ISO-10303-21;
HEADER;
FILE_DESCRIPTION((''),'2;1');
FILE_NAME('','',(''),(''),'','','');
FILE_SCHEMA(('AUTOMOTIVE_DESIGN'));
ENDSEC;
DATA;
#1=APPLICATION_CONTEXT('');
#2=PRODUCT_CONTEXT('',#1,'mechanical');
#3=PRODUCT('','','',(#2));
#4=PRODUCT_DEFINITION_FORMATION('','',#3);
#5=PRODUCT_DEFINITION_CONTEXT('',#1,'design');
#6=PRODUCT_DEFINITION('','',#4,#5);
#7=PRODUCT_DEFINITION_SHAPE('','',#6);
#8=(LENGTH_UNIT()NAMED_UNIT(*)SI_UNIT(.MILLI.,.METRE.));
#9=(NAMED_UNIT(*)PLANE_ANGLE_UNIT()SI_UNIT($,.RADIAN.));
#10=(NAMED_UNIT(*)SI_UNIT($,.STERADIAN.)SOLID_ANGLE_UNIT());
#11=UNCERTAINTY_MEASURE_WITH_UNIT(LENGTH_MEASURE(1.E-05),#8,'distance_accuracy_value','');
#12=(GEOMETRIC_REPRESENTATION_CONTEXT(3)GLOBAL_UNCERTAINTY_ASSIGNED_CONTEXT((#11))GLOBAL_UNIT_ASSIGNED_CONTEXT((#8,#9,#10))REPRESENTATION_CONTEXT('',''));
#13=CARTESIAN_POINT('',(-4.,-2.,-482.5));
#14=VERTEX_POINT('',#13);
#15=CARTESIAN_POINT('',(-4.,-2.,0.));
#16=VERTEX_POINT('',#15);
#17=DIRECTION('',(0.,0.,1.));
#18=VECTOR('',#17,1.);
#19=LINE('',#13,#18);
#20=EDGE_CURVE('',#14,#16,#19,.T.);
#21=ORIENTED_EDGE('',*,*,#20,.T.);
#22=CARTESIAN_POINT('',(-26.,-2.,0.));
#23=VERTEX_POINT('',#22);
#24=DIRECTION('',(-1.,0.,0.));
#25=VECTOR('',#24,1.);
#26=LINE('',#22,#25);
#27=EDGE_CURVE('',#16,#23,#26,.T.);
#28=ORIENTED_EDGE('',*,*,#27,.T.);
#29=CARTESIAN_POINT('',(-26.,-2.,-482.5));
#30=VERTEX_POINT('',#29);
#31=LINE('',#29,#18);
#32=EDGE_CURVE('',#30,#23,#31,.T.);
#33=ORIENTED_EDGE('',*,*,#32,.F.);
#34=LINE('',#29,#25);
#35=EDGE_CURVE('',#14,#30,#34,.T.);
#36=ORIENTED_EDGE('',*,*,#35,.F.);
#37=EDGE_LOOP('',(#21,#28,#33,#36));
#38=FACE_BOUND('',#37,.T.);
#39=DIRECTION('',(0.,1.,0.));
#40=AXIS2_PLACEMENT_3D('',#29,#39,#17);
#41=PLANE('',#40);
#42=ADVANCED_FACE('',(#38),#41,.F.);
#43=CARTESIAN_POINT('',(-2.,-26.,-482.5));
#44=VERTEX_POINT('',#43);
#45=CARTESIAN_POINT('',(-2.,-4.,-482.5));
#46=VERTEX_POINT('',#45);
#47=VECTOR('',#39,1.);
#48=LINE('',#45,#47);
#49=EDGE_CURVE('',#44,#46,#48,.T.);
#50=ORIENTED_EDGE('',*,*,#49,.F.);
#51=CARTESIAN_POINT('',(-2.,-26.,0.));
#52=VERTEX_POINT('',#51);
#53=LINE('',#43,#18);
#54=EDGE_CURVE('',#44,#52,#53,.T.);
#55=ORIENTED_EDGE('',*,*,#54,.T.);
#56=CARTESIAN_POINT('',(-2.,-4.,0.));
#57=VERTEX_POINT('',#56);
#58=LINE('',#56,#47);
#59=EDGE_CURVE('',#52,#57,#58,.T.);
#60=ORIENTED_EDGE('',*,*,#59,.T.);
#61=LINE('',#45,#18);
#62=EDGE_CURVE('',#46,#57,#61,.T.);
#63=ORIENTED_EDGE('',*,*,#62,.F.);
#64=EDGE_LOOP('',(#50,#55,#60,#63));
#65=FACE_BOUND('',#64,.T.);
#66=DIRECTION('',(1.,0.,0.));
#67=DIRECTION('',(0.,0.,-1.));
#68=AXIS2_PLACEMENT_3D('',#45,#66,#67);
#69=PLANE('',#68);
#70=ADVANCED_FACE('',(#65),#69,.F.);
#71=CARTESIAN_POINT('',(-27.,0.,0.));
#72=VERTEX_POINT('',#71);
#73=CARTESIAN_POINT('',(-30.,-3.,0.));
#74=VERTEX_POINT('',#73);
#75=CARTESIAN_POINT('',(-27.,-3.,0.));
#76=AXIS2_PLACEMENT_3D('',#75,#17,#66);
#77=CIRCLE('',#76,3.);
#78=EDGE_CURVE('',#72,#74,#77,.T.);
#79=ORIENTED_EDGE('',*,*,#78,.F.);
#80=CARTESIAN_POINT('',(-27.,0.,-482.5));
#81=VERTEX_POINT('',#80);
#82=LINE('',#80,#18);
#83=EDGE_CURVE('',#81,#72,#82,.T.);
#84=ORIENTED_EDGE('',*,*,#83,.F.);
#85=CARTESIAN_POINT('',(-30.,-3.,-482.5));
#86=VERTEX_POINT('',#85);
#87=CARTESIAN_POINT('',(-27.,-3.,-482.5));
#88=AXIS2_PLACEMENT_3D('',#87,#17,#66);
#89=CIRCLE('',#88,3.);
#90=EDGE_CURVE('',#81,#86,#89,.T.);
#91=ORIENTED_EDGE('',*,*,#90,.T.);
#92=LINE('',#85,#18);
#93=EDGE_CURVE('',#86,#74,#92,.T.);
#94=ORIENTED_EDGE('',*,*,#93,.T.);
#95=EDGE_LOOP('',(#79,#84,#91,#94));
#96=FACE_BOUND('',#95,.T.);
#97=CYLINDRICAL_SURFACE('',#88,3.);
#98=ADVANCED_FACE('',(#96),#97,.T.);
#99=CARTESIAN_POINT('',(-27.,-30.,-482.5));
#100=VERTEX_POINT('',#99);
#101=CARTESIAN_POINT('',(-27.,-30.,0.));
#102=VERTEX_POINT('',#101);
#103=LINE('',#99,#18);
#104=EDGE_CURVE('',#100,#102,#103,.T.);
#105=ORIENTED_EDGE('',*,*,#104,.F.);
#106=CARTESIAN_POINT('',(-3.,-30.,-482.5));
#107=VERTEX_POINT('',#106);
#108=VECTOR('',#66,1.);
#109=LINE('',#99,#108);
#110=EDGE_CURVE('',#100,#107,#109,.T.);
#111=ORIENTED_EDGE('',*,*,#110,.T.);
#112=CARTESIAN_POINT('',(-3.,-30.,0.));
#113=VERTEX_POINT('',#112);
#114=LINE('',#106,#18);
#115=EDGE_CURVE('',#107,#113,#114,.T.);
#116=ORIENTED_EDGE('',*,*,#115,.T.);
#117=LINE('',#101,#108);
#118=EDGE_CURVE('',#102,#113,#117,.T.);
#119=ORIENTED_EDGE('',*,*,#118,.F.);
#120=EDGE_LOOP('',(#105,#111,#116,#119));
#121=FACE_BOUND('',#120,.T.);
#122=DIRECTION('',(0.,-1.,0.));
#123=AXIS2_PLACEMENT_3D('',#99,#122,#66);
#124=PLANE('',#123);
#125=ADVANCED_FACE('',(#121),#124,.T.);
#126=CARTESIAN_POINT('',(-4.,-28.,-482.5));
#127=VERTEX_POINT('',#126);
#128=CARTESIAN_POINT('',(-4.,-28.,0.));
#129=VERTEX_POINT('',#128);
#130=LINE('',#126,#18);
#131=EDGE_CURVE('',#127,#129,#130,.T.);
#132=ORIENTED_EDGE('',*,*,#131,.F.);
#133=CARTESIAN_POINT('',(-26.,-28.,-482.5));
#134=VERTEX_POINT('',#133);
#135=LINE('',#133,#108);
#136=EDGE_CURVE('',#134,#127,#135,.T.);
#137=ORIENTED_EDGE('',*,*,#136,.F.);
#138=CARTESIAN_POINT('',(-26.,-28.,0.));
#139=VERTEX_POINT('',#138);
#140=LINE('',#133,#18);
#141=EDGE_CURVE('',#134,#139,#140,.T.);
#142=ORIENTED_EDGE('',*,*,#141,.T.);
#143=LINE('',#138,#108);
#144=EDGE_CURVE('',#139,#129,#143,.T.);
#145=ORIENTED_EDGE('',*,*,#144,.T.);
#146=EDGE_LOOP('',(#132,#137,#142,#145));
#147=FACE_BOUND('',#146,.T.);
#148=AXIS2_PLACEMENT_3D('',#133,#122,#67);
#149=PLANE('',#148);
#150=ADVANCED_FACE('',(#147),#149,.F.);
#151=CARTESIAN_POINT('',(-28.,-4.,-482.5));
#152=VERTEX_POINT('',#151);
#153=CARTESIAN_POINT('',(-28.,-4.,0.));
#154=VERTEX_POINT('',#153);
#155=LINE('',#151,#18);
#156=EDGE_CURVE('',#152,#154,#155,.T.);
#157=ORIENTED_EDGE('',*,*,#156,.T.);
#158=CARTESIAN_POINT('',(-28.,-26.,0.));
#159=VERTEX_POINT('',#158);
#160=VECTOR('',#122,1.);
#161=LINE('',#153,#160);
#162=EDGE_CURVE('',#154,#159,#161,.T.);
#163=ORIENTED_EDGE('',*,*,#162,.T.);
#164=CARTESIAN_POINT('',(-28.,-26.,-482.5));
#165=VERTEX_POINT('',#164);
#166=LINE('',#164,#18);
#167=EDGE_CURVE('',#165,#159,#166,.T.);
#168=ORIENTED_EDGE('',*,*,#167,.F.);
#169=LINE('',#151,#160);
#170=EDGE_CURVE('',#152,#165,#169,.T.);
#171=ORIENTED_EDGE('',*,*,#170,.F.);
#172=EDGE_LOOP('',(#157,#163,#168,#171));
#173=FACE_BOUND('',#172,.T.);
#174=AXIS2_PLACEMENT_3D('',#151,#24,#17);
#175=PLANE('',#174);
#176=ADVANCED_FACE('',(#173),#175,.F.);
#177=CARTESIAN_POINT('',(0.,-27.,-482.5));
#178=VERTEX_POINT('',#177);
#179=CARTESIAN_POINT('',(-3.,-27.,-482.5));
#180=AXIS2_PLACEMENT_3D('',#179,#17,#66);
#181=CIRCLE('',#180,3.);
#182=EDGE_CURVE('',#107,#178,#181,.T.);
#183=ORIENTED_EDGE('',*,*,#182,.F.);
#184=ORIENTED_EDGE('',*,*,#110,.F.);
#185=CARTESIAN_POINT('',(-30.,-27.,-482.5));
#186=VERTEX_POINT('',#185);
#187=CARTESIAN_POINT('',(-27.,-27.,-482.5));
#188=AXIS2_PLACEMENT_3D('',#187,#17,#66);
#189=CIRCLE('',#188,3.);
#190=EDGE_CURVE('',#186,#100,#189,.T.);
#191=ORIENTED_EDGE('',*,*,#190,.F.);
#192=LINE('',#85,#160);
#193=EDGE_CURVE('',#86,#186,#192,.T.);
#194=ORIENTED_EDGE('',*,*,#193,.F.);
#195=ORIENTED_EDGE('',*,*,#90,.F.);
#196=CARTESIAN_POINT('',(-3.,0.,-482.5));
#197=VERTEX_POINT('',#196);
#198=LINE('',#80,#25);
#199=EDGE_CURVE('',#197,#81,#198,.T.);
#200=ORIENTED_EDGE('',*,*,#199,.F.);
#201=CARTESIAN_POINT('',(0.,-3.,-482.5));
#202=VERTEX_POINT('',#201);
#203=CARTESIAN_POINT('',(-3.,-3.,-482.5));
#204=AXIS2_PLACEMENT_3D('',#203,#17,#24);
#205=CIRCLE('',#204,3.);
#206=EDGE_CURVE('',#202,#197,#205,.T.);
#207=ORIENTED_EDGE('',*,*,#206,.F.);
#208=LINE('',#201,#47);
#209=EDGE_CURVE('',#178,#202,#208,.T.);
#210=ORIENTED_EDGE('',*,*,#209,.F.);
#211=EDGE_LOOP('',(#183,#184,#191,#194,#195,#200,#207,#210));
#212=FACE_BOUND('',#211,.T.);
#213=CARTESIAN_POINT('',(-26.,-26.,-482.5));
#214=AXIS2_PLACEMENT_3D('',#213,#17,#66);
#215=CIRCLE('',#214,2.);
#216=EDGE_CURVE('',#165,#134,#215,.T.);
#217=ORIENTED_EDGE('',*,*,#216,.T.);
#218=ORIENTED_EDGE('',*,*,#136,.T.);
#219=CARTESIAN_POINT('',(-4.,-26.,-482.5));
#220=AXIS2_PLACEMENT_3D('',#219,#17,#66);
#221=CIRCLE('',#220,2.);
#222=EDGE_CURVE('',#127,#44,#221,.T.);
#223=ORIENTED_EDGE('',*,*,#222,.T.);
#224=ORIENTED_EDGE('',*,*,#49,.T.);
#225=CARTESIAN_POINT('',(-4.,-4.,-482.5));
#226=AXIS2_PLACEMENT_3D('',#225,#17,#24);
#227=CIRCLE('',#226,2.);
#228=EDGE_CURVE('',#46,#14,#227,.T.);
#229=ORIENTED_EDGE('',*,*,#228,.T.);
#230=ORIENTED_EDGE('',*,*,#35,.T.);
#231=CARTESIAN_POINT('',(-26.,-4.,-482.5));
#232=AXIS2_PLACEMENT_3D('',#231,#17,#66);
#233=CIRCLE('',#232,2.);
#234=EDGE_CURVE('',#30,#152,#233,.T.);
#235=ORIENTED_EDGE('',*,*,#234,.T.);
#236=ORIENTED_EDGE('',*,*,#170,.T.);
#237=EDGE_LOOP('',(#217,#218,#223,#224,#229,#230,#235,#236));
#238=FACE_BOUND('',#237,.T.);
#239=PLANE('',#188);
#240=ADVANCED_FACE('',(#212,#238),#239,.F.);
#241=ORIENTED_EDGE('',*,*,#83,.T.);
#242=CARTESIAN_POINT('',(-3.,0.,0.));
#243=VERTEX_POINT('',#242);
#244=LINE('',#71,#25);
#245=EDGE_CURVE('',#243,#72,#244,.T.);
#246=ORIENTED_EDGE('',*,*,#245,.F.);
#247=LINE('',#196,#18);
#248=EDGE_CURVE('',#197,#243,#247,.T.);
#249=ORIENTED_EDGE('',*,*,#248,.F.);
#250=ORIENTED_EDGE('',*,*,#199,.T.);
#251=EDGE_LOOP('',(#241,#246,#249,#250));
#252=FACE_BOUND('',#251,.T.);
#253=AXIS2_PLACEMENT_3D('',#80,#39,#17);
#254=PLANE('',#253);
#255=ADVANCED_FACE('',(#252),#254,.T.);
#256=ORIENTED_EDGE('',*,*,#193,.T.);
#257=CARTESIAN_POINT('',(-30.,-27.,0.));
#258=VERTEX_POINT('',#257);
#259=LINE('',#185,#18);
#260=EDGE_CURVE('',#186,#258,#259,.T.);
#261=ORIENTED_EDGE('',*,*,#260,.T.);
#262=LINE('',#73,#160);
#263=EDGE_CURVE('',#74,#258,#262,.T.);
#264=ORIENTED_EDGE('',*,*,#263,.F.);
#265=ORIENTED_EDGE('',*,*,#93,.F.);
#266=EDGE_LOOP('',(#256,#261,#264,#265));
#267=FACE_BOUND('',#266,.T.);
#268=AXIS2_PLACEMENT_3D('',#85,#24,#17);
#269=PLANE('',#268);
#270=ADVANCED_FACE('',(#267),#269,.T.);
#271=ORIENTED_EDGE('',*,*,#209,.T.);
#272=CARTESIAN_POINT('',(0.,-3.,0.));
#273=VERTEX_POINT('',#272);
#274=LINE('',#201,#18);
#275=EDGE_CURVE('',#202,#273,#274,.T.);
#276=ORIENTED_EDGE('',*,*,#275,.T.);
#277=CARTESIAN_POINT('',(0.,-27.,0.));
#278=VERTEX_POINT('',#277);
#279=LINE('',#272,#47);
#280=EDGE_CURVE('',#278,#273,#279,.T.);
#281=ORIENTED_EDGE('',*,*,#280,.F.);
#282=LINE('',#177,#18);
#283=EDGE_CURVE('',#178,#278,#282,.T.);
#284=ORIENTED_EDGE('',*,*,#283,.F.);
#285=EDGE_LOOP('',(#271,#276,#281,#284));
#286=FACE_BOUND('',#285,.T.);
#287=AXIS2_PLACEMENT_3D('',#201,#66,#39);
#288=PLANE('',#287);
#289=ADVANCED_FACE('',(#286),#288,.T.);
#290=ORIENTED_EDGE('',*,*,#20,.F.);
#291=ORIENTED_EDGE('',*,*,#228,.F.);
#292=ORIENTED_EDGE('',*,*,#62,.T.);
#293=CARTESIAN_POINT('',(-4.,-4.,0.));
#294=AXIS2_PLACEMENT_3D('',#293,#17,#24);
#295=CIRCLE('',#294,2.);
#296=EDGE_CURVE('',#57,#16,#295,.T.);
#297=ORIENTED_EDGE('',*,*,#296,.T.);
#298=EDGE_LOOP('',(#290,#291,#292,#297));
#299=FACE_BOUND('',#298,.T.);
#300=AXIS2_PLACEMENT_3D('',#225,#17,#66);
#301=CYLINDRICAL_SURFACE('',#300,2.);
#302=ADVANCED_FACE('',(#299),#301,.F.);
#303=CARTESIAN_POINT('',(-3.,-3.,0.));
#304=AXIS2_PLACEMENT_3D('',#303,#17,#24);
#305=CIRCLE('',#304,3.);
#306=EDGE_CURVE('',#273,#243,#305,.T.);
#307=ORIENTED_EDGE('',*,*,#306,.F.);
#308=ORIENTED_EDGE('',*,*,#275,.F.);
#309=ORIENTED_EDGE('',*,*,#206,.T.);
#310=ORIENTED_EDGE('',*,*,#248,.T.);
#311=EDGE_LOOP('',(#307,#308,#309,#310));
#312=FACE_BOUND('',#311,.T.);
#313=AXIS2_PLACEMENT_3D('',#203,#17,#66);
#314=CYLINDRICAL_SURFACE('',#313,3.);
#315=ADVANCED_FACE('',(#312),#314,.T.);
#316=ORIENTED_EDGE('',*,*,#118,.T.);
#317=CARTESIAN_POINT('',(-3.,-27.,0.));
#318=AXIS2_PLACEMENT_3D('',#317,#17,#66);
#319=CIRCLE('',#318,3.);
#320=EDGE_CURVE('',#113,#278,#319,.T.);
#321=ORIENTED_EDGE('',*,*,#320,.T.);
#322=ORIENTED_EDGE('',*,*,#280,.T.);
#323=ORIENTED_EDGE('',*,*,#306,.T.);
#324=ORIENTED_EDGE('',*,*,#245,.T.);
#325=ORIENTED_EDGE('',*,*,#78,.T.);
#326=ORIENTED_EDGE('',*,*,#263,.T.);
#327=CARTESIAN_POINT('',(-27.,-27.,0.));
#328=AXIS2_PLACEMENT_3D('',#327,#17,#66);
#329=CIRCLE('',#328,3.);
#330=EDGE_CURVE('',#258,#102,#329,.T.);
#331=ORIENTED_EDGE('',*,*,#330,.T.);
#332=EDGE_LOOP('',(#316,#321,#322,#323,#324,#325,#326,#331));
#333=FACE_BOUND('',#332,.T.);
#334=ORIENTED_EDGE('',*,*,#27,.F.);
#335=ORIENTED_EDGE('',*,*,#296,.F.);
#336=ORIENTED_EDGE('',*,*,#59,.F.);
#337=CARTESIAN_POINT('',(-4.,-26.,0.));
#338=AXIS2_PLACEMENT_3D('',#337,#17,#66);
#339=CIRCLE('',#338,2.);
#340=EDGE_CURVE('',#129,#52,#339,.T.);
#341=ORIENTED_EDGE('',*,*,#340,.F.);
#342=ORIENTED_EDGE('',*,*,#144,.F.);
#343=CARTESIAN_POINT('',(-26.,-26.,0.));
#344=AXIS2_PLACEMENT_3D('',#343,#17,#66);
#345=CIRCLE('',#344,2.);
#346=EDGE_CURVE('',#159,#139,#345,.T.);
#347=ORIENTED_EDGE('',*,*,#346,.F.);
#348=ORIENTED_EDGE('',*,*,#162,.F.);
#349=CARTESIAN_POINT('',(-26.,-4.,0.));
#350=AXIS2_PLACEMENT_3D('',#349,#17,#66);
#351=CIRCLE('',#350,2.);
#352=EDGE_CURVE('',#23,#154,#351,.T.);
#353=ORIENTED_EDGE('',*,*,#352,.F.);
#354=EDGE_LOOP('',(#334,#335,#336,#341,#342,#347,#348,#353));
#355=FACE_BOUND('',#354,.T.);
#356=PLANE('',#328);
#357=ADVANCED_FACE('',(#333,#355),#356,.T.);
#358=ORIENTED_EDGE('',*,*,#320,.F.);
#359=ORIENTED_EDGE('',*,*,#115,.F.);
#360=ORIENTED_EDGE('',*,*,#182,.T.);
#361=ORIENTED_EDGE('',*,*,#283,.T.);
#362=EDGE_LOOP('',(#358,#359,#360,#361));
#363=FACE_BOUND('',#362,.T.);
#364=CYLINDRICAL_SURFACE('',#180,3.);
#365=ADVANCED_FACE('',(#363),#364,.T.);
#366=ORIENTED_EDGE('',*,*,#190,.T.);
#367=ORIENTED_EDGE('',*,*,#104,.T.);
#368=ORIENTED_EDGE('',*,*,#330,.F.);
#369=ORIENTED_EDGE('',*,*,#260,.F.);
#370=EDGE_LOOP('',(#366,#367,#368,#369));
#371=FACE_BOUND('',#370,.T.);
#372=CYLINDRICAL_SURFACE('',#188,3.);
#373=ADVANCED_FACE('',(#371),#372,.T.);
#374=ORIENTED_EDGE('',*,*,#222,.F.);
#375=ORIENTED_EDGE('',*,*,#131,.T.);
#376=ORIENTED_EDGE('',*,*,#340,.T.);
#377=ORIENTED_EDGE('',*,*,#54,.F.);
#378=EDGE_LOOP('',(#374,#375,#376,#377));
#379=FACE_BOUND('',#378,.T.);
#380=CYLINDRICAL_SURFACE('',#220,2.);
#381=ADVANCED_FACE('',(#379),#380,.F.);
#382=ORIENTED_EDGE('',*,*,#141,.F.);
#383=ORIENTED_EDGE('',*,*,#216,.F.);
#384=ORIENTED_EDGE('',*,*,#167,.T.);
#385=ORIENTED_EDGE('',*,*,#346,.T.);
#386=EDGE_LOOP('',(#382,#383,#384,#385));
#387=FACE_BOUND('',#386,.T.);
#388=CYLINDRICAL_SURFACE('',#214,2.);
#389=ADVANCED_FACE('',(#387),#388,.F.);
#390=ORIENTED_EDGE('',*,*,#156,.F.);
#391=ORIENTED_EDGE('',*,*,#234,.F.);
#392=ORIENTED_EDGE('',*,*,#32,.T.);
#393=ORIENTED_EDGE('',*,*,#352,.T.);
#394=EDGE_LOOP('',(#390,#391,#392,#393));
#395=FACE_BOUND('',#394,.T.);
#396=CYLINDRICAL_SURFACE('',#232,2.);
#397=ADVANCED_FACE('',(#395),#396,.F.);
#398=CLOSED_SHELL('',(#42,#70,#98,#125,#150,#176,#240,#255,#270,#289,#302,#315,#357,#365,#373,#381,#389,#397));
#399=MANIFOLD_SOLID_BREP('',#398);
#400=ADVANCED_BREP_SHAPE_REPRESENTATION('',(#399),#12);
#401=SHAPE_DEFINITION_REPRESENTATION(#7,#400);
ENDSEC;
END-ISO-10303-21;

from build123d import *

# Parameters (mm, degrees)
EXTRUDE_1_DEPTH = 482.5


with BuildPart() as part:
    # Эскиз1 → Бобышка-Вытянуть1 (new body)
    with BuildSketch(Plane.XY):
        with BuildLine():
            Line((-27, 0), (-3, 0))
            ThreePointArc((-3, 0), (-0.878679656, -0.878679656), (0, -3))
            Line((0, -3), (0, -27))
            ThreePointArc((0, -27), (-0.878679656, -29.121320344), (-3, -30))
            Line((-3, -30), (-27, -30))
            ThreePointArc((-27, -30), (-29.121320344, -29.121320344), (-30, -27))
            Line((-30, -27), (-30, -3))
            ThreePointArc((-30, -3), (-29.121320344, -0.878679656), (-27, 0))
        make_face()
        with BuildLine():
            Line((-26, -2), (-4, -2))
            ThreePointArc((-4, -2), (-2.585786438, -2.585786438), (-2, -4))
            Line((-2, -4), (-2, -26))
            ThreePointArc((-2, -26), (-2.585786438, -27.414213562), (-4, -28))
            Line((-4, -28), (-26, -28))
            ThreePointArc((-26, -28), (-27.414213562, -27.414213562), (-28, -26))
            Line((-28, -26), (-28, -4))
            ThreePointArc((-28, -4), (-27.414213562, -2.585786438), (-26, -2))
        make_face(mode=Mode.SUBTRACT)
    extrude(amount=-EXTRUDE_1_DEPTH)


solid = part.part
